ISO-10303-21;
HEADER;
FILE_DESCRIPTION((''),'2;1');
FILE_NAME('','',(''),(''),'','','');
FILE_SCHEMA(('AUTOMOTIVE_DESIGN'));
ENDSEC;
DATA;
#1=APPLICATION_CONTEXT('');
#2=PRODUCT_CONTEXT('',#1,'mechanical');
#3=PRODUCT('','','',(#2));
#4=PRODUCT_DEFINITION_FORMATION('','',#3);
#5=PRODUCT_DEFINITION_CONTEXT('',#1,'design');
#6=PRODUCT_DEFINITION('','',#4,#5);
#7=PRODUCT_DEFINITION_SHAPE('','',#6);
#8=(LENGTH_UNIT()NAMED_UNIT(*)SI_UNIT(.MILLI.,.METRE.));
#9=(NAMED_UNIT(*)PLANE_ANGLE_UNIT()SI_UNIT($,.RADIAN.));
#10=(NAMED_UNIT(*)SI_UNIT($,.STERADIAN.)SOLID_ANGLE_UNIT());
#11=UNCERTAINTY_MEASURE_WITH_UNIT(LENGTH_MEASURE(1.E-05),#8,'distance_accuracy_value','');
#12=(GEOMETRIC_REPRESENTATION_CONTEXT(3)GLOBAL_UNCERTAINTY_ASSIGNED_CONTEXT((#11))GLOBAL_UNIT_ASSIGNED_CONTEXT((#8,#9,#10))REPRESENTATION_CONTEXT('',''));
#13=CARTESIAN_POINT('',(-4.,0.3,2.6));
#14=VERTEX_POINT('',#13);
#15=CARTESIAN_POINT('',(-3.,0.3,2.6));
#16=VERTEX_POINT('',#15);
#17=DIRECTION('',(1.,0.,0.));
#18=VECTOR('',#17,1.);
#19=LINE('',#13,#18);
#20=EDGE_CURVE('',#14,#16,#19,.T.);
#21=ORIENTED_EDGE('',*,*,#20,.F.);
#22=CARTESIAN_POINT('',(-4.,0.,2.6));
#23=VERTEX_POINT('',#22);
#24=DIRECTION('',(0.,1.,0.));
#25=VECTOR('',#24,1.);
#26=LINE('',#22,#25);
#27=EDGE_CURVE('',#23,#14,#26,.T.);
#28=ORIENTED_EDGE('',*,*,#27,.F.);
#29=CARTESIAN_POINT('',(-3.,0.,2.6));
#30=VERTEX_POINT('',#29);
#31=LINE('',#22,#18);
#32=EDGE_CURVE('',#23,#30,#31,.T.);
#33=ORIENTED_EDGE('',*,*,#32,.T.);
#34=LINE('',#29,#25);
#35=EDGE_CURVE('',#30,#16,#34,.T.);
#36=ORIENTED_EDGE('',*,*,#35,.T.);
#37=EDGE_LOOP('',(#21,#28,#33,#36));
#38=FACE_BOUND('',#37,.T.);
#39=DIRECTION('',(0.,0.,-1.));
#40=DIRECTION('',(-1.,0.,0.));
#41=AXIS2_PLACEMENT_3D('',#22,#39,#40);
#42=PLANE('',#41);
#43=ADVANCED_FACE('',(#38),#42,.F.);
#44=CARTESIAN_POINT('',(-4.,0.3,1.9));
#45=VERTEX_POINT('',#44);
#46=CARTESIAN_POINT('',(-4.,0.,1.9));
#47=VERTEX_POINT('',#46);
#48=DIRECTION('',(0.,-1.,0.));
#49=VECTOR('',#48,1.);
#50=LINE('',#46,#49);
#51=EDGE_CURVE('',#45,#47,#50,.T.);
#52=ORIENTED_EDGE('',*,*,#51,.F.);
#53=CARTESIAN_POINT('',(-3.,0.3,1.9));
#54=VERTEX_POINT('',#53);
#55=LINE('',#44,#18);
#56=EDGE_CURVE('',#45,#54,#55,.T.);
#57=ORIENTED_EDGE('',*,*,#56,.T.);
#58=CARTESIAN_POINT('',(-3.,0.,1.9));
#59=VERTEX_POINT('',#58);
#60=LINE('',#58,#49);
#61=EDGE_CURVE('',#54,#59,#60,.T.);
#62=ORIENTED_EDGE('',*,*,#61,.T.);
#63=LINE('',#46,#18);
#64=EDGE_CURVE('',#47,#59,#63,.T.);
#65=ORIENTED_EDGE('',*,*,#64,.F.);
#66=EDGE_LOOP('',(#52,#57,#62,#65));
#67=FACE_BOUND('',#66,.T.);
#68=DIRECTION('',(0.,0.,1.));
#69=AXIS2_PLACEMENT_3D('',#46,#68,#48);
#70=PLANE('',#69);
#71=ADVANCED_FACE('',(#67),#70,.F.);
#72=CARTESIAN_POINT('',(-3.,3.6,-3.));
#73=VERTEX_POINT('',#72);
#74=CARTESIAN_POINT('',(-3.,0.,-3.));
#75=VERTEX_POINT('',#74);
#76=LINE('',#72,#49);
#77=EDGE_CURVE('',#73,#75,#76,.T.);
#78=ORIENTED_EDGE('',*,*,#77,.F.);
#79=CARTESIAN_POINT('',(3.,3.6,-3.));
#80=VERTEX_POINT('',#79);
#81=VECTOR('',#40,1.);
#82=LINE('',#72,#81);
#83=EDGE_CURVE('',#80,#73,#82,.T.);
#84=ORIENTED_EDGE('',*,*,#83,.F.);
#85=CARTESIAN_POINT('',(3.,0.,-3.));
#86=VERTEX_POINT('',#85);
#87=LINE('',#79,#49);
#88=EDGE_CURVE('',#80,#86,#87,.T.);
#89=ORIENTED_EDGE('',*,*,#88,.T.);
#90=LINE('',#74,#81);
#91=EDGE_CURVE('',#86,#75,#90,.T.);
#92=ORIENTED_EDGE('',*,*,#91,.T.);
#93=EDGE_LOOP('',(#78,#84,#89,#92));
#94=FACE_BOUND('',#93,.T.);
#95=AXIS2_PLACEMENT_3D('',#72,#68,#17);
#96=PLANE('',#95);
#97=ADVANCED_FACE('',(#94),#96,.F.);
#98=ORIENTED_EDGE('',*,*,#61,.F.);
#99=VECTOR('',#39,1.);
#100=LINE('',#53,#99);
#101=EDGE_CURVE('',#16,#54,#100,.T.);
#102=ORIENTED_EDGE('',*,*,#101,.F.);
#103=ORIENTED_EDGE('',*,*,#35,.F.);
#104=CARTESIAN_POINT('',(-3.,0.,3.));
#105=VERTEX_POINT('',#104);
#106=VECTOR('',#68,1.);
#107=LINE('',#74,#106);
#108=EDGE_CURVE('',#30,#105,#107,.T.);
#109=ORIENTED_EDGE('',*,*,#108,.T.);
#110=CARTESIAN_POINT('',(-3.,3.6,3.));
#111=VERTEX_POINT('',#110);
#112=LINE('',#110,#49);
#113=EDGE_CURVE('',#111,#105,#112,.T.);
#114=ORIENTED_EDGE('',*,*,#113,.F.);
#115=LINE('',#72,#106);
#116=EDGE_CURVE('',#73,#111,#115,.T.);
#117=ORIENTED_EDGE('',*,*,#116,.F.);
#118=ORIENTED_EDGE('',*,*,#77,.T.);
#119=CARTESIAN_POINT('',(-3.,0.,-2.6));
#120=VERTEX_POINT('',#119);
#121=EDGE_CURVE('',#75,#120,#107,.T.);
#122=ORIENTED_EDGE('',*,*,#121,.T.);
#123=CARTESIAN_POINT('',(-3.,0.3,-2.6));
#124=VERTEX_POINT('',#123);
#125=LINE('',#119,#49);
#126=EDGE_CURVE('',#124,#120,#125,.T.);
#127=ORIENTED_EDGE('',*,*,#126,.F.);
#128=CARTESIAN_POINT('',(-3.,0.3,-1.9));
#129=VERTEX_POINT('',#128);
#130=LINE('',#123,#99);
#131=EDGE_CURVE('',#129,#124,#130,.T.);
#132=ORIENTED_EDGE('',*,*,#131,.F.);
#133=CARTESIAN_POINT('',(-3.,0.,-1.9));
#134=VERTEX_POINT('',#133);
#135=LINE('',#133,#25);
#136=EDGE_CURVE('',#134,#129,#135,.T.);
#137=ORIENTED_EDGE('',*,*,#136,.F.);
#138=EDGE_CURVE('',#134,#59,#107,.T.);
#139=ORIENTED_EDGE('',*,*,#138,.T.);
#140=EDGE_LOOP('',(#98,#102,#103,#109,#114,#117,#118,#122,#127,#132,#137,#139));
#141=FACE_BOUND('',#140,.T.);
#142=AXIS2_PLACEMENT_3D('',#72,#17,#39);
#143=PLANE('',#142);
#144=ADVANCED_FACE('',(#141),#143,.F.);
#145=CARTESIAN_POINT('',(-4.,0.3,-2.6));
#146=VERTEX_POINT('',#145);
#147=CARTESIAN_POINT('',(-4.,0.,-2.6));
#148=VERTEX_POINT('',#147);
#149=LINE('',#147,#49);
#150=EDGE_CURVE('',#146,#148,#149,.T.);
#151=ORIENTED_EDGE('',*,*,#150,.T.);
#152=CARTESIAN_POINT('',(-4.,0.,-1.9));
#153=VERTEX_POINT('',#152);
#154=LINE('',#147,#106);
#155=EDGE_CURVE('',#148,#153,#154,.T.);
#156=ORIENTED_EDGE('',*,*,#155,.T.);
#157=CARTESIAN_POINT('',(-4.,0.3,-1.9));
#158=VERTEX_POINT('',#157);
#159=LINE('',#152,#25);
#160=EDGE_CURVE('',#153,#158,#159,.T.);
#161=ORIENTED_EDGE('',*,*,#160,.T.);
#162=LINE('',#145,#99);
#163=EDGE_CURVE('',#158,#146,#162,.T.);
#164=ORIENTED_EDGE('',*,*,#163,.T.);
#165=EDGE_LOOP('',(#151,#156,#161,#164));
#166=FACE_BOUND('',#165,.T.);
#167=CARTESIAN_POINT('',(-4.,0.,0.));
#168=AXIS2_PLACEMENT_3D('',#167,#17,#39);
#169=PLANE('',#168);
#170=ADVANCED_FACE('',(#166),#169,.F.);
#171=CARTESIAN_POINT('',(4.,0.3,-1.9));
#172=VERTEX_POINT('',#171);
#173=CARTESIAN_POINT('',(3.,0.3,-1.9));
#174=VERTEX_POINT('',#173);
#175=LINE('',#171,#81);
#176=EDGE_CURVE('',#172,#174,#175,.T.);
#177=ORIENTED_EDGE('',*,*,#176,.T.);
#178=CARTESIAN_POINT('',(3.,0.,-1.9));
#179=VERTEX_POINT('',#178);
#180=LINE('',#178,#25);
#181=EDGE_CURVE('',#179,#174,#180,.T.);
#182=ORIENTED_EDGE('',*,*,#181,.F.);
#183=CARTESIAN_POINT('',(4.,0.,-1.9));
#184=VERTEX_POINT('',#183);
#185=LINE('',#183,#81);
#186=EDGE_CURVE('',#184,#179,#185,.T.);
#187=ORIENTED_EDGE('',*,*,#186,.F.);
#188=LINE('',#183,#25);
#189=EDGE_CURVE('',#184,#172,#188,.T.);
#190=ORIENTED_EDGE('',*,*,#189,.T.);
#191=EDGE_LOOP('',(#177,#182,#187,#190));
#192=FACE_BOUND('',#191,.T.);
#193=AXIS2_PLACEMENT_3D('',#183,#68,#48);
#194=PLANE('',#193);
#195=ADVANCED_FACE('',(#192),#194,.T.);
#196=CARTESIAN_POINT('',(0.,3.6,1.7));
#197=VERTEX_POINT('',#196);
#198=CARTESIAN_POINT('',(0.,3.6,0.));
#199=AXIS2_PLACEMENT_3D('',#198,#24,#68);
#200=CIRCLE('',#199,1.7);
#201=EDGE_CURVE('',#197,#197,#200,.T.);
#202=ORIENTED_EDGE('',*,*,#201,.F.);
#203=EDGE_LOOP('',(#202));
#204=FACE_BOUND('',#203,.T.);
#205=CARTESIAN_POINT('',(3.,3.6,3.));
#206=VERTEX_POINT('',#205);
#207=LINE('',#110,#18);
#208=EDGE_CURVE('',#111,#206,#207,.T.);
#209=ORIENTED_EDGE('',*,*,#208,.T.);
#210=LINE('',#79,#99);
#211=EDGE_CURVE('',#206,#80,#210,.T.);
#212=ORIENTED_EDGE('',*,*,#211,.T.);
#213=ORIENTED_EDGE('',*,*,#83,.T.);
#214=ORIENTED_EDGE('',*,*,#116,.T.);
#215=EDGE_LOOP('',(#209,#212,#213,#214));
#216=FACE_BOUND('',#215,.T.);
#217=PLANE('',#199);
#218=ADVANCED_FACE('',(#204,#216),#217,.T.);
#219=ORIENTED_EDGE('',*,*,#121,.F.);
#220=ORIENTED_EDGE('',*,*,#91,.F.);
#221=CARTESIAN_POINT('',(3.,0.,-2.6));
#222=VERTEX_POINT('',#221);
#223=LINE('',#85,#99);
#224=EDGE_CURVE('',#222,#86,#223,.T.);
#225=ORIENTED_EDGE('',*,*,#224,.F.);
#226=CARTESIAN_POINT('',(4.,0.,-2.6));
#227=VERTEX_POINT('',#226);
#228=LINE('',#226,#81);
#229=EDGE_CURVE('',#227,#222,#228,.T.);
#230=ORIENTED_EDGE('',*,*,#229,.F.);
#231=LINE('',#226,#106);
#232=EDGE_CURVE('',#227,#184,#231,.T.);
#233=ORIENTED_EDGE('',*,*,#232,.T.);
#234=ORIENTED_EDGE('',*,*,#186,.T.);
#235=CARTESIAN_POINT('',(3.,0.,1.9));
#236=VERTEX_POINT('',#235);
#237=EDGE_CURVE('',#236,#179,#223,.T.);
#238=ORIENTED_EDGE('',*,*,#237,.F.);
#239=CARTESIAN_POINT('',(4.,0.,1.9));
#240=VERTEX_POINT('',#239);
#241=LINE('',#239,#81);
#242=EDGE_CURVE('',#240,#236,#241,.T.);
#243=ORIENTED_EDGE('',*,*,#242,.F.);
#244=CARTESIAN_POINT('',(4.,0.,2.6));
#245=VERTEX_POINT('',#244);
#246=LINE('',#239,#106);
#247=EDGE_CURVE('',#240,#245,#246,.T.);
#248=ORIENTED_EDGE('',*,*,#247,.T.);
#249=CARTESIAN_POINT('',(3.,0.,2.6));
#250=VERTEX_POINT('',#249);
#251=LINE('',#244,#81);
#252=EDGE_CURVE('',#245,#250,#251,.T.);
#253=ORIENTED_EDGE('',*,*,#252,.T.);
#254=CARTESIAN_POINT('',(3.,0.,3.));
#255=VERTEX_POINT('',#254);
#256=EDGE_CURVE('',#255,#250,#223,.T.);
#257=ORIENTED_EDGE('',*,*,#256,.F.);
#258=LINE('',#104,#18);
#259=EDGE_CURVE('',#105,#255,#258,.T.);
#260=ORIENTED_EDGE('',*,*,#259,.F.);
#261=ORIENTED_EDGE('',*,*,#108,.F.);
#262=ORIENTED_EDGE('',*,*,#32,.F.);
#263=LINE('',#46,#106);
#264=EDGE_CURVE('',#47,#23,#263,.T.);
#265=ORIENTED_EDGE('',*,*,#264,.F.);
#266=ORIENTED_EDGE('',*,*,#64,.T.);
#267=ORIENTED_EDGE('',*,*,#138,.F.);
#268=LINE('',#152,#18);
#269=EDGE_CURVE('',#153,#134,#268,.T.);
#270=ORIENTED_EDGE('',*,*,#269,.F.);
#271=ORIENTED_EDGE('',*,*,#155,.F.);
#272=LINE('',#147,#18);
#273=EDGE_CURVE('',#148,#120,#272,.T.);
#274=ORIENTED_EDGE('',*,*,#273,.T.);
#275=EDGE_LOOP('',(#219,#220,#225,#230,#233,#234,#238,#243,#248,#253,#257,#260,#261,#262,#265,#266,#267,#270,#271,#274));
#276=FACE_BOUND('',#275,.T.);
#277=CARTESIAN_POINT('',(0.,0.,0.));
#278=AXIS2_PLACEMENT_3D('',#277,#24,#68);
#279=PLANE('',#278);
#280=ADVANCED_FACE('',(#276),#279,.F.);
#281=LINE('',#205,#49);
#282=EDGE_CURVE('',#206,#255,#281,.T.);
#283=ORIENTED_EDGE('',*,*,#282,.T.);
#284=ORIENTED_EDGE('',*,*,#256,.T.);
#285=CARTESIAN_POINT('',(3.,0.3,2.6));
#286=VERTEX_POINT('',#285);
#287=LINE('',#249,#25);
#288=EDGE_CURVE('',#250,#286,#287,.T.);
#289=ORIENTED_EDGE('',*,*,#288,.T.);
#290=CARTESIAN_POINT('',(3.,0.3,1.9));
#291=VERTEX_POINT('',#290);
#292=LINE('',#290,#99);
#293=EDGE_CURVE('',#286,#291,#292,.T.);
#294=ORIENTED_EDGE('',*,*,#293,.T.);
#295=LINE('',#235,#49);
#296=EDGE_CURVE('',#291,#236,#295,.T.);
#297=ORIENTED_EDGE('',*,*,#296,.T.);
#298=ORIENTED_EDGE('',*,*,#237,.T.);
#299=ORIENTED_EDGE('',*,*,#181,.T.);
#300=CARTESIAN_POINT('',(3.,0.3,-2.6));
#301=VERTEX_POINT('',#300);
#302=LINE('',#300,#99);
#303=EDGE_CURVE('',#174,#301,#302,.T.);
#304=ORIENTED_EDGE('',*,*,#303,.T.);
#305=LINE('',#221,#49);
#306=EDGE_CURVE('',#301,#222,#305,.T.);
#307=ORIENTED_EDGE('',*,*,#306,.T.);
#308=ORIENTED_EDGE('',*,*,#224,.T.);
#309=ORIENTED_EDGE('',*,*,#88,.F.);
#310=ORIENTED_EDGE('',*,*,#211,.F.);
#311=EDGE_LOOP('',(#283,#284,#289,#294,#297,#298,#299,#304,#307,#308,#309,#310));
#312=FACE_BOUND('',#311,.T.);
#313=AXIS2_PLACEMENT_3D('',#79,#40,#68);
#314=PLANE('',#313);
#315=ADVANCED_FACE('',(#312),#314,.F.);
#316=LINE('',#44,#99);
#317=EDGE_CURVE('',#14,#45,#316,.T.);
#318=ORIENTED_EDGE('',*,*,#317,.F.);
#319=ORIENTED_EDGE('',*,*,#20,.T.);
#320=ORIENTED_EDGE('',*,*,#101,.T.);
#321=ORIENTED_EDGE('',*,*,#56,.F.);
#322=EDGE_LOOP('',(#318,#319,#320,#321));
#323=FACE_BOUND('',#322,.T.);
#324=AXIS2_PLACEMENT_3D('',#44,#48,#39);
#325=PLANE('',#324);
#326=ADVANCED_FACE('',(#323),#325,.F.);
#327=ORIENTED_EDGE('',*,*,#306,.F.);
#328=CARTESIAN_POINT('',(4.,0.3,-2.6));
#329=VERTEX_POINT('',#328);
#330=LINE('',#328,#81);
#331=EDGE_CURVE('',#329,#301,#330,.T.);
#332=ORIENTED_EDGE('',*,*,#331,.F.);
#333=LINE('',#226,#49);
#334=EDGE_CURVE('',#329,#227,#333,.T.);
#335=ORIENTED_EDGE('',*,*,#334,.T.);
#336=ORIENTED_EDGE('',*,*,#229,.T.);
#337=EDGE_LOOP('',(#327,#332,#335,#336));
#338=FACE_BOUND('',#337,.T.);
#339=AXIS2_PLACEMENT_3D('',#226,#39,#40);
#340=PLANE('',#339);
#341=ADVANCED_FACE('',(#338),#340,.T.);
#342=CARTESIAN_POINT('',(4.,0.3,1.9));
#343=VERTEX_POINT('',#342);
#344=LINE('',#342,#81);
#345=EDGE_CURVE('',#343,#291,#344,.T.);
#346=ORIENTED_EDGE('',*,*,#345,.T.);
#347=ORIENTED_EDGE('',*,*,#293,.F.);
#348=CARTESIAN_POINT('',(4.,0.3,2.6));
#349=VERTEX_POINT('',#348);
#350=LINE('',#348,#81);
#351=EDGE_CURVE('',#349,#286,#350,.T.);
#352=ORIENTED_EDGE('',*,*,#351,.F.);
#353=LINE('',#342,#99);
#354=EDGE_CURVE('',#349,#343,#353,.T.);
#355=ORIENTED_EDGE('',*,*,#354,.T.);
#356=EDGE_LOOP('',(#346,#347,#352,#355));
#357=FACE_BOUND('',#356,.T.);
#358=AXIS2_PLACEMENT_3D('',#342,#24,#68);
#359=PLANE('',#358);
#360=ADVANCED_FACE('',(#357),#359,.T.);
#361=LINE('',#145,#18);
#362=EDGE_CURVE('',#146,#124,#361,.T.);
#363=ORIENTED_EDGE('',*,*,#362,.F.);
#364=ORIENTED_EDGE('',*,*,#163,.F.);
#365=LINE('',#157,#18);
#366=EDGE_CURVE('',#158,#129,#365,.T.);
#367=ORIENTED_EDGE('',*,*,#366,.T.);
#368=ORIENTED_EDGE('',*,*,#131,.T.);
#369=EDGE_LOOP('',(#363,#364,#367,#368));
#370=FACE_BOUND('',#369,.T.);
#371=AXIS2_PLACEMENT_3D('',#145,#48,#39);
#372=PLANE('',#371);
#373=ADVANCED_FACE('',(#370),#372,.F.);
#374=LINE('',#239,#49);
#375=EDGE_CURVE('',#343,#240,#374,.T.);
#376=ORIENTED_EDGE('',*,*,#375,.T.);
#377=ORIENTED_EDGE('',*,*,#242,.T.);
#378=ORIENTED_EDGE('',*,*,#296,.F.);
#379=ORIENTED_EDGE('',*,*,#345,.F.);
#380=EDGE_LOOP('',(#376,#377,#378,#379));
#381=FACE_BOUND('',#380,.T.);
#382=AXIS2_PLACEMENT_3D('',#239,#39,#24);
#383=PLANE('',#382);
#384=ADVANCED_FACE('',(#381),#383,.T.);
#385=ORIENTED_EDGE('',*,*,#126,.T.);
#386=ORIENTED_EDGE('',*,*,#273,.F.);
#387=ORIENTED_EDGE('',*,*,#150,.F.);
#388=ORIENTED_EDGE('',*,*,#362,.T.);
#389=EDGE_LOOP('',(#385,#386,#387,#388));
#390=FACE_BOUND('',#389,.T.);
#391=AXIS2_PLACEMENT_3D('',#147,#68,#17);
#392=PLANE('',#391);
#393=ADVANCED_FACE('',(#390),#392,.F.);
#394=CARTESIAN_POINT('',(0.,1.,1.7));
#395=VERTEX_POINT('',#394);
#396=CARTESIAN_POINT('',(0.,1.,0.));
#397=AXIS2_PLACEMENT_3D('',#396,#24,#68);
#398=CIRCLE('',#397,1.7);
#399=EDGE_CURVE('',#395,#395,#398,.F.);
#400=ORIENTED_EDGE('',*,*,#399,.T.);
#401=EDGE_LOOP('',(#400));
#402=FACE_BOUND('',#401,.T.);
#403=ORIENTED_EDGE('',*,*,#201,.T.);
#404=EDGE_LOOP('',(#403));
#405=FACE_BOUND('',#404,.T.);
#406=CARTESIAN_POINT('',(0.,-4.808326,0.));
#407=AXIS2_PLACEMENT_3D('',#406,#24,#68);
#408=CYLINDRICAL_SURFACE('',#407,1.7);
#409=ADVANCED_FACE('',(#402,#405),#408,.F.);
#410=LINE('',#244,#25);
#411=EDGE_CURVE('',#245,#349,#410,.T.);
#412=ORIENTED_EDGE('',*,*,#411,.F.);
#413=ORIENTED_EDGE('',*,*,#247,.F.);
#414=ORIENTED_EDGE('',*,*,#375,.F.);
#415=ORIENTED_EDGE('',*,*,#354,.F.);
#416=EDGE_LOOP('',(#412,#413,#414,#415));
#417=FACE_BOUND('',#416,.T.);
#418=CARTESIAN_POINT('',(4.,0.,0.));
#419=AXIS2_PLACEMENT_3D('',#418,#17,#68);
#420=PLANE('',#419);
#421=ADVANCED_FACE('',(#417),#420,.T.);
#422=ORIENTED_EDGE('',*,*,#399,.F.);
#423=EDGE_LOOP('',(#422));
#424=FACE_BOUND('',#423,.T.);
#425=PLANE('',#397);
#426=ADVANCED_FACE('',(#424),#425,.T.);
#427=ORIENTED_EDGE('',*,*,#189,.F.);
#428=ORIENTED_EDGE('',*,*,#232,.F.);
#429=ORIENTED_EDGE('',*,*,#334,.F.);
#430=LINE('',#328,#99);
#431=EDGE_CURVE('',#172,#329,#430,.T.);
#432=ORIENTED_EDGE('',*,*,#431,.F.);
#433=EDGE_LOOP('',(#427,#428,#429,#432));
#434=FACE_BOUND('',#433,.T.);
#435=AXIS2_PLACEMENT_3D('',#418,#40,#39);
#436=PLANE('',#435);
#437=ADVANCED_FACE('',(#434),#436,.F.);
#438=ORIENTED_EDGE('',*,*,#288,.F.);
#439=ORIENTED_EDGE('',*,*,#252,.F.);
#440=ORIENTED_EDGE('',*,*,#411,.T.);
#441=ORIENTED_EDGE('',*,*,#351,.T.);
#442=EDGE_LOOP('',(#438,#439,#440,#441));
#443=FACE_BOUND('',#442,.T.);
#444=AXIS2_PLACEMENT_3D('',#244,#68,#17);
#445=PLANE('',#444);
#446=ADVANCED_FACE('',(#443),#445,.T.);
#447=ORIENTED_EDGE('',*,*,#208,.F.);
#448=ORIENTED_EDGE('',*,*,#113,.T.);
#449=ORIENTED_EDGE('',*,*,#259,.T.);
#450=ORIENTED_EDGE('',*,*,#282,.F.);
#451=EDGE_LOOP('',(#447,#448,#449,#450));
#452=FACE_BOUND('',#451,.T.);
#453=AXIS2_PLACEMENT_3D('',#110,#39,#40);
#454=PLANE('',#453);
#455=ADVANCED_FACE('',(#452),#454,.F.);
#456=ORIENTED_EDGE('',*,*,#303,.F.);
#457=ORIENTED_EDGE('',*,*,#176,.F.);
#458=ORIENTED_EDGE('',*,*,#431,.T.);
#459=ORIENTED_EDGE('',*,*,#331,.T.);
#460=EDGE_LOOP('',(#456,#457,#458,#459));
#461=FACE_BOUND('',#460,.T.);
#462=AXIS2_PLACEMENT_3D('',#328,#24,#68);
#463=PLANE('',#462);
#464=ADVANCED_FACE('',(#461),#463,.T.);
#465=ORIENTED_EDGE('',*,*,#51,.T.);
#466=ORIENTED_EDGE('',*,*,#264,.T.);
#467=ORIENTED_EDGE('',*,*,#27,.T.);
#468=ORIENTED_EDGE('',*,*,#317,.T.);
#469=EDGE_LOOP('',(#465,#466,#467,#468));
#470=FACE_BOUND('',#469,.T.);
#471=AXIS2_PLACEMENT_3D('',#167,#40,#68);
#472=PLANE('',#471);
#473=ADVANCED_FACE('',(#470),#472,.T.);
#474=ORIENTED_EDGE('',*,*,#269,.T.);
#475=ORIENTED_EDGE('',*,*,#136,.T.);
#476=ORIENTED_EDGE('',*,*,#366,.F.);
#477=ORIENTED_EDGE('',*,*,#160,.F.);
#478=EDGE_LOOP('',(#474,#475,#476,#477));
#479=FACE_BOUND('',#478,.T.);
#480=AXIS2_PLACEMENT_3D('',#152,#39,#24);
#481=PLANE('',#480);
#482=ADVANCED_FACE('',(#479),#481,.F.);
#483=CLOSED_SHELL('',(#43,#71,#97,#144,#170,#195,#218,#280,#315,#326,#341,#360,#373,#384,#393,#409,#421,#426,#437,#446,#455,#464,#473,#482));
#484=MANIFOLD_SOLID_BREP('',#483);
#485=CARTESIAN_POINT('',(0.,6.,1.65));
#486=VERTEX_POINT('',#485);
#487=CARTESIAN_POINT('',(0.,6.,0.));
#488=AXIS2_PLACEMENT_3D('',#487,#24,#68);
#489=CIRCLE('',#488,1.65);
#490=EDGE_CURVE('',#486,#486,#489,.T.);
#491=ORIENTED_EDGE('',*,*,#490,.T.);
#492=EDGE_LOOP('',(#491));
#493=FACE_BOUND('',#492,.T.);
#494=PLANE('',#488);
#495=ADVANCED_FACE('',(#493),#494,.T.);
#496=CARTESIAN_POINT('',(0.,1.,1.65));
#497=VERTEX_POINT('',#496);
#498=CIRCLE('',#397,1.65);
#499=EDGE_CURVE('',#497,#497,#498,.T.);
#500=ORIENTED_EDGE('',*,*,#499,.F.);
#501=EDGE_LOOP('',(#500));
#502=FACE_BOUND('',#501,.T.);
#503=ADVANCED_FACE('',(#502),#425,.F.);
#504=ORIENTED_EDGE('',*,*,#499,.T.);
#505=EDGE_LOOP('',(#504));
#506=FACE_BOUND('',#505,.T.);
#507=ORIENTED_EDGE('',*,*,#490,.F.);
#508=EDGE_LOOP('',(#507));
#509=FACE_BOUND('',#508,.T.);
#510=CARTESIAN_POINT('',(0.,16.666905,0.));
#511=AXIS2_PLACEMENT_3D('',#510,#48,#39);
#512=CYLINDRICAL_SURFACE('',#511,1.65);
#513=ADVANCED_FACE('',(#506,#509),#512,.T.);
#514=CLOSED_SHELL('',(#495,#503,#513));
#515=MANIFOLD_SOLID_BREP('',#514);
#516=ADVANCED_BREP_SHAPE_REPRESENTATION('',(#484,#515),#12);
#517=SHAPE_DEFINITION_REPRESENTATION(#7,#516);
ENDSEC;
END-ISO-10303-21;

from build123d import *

# Parameters (mm, degrees)
SKETCH_1_W          = 6
SKETCH_1_H          = 6
EXTRUDE_1_DEPTH     = 3.6
SKETCH_2_W          = 0.7
SKETCH_2_H          = 0.3
EXTRUDE_2_DEPTH     = 1
SKETCH_3_R          = 1.7
CUT_EXTRUDE_1_DEPTH = 2.6
SKETCH_4_R          = 1.65
EXTRUDE_3_DEPTH     = 5


with BuildPart() as part:
    # 草图1 → 凸台-拉伸1 (new body)
    with BuildSketch(Plane(origin=(0, 0, 0), x_dir=(1, 0, 0), z_dir=(0, 1, 0))):
        Rectangle(SKETCH_1_W, SKETCH_1_H)
    extrude(amount=EXTRUDE_1_DEPTH)

    # 草图2 → 凸台-拉伸2 (add)
    with BuildSketch(Plane.ZY.offset(3)):
        with Locations((-2.25, 0.15)):
            Rectangle(SKETCH_2_W, SKETCH_2_H)
        with Locations((2.25, 0.15)):
            Rectangle(SKETCH_2_W, SKETCH_2_H)
    extrude_2 = extrude(amount=EXTRUDE_2_DEPTH)

    # 镜向1: 凸台-拉伸2 across plane
    add(extrude_2.mirror(Plane(origin=(0, 0, 0), x_dir=(0, 0, 1), z_dir=(1, 0, 0))))

    # 草图3 → 切除-拉伸1 (cut)
    with BuildSketch(Plane(origin=(0, 3.6, 0), x_dir=(1, 0, 0), z_dir=(0, 1, 0))):
        Circle(SKETCH_3_R)
    extrude(amount=-CUT_EXTRUDE_1_DEPTH, mode=Mode.SUBTRACT)


with BuildPart() as body_2:
    # 草图4 → 凸台-拉伸3 (new body)
    with BuildSketch(Plane(origin=(0, 1, 0), x_dir=(1, 0, 0), z_dir=(0, 1, 0))):
        Circle(SKETCH_4_R)
    extrude(amount=EXTRUDE_3_DEPTH)


solid = Compound([part.part, body_2.part])
